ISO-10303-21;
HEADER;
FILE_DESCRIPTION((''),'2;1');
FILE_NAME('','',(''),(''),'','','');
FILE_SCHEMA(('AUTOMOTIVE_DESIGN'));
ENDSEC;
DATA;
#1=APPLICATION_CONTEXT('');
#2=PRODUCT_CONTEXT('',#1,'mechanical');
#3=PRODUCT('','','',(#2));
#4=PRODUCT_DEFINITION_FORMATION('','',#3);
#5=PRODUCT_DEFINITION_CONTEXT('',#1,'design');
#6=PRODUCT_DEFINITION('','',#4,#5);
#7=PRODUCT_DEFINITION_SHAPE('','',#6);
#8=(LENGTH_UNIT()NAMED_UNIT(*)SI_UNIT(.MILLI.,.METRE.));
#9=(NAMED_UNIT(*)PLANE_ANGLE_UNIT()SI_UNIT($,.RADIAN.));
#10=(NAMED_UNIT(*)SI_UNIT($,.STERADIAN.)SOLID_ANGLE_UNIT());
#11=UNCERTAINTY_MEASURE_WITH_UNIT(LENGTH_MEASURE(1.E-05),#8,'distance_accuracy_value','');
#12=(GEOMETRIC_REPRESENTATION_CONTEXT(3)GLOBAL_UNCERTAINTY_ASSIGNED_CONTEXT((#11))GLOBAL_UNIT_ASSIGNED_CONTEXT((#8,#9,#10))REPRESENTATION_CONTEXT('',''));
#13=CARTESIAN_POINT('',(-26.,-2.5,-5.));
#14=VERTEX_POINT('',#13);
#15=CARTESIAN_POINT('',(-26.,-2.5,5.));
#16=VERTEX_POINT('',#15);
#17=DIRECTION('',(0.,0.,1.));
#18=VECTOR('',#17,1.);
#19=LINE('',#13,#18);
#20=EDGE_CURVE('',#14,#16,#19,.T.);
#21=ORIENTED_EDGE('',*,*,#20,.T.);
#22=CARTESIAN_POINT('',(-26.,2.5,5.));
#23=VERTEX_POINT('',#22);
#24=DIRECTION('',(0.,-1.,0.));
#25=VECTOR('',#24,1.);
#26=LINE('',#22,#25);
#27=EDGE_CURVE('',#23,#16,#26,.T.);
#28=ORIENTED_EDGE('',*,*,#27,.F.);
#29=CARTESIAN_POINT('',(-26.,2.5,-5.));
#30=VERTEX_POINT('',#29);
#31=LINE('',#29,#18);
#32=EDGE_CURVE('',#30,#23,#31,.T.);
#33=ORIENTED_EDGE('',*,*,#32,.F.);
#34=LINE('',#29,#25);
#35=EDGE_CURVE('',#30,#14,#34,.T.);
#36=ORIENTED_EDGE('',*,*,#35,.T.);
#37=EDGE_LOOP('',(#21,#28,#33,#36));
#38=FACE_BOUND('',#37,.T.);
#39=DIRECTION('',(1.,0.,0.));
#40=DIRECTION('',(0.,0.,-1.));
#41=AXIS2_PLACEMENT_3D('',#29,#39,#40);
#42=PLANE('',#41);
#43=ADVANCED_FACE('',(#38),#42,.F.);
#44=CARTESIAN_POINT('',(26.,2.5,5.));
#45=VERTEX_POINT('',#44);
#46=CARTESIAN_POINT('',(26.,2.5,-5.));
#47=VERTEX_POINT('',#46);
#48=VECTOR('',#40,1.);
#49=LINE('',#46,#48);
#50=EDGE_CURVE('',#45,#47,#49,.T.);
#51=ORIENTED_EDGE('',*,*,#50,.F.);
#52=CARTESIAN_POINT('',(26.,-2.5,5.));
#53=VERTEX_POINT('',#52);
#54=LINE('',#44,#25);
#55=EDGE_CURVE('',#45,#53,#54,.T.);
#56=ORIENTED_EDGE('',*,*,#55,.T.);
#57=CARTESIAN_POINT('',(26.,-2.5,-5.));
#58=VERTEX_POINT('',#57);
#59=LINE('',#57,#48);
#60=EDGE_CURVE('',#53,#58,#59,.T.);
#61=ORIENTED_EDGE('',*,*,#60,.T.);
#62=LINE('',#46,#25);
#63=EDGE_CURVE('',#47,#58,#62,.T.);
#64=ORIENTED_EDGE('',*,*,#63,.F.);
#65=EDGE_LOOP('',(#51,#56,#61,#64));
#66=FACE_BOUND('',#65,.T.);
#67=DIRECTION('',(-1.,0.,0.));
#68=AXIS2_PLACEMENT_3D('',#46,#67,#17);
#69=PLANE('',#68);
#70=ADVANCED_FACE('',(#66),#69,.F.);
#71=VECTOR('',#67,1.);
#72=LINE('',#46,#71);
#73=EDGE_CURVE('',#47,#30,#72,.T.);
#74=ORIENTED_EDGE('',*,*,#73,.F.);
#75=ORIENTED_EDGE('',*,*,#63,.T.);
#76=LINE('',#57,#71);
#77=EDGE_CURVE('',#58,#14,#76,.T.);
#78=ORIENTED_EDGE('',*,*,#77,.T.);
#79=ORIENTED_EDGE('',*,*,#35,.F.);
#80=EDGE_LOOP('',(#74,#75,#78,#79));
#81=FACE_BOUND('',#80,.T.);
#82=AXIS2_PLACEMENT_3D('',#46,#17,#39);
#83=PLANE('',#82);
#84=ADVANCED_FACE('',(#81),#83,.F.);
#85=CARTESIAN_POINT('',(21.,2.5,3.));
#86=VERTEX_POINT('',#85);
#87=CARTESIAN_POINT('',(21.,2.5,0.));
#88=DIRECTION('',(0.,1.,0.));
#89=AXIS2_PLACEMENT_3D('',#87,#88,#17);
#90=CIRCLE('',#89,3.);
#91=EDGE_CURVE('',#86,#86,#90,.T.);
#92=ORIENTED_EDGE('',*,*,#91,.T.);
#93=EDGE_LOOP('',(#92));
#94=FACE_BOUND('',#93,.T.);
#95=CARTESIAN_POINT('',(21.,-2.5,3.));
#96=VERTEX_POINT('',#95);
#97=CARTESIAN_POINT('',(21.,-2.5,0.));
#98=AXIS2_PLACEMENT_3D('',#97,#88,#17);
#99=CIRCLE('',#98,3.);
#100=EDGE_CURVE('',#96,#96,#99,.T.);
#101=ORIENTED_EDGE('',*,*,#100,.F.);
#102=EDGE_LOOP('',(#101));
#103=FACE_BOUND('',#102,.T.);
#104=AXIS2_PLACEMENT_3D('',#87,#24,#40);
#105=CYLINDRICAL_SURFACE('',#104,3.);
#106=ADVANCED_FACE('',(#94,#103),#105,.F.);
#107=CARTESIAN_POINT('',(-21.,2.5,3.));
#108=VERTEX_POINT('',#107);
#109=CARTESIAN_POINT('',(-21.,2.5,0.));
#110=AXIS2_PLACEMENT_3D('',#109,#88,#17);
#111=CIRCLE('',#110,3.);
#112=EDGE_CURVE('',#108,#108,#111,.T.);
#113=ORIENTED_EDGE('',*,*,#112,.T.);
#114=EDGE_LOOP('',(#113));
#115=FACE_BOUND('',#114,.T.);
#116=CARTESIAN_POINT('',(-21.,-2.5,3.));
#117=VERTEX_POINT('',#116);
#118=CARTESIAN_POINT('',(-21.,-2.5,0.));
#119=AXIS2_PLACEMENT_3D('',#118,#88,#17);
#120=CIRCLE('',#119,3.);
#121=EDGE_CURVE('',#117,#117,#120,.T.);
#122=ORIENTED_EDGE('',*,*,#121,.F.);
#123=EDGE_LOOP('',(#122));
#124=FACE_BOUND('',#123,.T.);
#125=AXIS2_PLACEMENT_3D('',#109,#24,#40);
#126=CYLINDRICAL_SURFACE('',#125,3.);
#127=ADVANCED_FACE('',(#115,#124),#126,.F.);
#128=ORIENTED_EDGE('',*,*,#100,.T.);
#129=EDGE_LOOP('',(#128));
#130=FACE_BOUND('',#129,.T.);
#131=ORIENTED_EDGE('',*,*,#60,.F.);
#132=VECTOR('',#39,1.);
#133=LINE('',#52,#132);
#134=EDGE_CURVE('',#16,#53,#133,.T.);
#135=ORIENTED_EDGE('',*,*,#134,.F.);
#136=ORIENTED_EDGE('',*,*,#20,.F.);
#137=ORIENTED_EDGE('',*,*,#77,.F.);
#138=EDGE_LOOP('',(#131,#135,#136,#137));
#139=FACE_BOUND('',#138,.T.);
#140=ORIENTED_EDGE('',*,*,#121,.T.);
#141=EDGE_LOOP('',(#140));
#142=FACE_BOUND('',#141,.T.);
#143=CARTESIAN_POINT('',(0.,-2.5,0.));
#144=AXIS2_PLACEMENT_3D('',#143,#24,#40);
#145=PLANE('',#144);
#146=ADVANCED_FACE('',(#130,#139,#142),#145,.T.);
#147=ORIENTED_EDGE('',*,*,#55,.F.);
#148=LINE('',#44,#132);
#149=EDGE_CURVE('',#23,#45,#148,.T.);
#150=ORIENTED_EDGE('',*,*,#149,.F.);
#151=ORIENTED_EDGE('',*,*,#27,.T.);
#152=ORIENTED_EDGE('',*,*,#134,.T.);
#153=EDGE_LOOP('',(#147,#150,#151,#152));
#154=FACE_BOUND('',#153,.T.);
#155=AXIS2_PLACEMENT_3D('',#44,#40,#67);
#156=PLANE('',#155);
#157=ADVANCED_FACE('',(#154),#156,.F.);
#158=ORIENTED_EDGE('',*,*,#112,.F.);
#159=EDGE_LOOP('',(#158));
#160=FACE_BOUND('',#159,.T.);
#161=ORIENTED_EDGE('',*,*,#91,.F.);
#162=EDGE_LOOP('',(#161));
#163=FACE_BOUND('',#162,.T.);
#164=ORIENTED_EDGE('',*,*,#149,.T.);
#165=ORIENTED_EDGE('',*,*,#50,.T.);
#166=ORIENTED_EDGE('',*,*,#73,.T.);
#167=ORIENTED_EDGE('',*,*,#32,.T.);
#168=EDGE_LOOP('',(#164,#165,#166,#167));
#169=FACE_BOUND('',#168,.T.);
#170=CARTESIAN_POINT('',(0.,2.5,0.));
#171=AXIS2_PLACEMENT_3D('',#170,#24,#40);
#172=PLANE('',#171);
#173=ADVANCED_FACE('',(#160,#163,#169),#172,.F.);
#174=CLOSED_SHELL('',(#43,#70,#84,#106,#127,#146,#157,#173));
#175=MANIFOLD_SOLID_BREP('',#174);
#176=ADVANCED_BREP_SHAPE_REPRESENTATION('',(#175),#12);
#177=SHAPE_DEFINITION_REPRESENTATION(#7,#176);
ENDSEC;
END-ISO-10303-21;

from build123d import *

# Parameters (mm, degrees)
SKETCH1_W           = 52
SKETCH1_H           = 10
SKETCH1_R           = 3
BOSS_EXTRUDE1_DEPTH = 2.5


with BuildPart() as part:
    # Sketch1 → Boss-Extrude1 (new, symmetric)
    with BuildSketch(Plane(origin=(0, 0, 0), x_dir=(1, 0, 0), z_dir=(0, 1, 0))):
        Rectangle(SKETCH1_W, SKETCH1_H)
        with Locations(Location((-21, 0, 0), (0, 0, 270))):
            Circle(SKETCH1_R, mode=Mode.SUBTRACT)
        with Locations(Location((21, 0, 0), (0, 0, 270))):
            Circle(SKETCH1_R, mode=Mode.SUBTRACT)
    extrude(amount=BOSS_EXTRUDE1_DEPTH, both=True)


solid = part.part
